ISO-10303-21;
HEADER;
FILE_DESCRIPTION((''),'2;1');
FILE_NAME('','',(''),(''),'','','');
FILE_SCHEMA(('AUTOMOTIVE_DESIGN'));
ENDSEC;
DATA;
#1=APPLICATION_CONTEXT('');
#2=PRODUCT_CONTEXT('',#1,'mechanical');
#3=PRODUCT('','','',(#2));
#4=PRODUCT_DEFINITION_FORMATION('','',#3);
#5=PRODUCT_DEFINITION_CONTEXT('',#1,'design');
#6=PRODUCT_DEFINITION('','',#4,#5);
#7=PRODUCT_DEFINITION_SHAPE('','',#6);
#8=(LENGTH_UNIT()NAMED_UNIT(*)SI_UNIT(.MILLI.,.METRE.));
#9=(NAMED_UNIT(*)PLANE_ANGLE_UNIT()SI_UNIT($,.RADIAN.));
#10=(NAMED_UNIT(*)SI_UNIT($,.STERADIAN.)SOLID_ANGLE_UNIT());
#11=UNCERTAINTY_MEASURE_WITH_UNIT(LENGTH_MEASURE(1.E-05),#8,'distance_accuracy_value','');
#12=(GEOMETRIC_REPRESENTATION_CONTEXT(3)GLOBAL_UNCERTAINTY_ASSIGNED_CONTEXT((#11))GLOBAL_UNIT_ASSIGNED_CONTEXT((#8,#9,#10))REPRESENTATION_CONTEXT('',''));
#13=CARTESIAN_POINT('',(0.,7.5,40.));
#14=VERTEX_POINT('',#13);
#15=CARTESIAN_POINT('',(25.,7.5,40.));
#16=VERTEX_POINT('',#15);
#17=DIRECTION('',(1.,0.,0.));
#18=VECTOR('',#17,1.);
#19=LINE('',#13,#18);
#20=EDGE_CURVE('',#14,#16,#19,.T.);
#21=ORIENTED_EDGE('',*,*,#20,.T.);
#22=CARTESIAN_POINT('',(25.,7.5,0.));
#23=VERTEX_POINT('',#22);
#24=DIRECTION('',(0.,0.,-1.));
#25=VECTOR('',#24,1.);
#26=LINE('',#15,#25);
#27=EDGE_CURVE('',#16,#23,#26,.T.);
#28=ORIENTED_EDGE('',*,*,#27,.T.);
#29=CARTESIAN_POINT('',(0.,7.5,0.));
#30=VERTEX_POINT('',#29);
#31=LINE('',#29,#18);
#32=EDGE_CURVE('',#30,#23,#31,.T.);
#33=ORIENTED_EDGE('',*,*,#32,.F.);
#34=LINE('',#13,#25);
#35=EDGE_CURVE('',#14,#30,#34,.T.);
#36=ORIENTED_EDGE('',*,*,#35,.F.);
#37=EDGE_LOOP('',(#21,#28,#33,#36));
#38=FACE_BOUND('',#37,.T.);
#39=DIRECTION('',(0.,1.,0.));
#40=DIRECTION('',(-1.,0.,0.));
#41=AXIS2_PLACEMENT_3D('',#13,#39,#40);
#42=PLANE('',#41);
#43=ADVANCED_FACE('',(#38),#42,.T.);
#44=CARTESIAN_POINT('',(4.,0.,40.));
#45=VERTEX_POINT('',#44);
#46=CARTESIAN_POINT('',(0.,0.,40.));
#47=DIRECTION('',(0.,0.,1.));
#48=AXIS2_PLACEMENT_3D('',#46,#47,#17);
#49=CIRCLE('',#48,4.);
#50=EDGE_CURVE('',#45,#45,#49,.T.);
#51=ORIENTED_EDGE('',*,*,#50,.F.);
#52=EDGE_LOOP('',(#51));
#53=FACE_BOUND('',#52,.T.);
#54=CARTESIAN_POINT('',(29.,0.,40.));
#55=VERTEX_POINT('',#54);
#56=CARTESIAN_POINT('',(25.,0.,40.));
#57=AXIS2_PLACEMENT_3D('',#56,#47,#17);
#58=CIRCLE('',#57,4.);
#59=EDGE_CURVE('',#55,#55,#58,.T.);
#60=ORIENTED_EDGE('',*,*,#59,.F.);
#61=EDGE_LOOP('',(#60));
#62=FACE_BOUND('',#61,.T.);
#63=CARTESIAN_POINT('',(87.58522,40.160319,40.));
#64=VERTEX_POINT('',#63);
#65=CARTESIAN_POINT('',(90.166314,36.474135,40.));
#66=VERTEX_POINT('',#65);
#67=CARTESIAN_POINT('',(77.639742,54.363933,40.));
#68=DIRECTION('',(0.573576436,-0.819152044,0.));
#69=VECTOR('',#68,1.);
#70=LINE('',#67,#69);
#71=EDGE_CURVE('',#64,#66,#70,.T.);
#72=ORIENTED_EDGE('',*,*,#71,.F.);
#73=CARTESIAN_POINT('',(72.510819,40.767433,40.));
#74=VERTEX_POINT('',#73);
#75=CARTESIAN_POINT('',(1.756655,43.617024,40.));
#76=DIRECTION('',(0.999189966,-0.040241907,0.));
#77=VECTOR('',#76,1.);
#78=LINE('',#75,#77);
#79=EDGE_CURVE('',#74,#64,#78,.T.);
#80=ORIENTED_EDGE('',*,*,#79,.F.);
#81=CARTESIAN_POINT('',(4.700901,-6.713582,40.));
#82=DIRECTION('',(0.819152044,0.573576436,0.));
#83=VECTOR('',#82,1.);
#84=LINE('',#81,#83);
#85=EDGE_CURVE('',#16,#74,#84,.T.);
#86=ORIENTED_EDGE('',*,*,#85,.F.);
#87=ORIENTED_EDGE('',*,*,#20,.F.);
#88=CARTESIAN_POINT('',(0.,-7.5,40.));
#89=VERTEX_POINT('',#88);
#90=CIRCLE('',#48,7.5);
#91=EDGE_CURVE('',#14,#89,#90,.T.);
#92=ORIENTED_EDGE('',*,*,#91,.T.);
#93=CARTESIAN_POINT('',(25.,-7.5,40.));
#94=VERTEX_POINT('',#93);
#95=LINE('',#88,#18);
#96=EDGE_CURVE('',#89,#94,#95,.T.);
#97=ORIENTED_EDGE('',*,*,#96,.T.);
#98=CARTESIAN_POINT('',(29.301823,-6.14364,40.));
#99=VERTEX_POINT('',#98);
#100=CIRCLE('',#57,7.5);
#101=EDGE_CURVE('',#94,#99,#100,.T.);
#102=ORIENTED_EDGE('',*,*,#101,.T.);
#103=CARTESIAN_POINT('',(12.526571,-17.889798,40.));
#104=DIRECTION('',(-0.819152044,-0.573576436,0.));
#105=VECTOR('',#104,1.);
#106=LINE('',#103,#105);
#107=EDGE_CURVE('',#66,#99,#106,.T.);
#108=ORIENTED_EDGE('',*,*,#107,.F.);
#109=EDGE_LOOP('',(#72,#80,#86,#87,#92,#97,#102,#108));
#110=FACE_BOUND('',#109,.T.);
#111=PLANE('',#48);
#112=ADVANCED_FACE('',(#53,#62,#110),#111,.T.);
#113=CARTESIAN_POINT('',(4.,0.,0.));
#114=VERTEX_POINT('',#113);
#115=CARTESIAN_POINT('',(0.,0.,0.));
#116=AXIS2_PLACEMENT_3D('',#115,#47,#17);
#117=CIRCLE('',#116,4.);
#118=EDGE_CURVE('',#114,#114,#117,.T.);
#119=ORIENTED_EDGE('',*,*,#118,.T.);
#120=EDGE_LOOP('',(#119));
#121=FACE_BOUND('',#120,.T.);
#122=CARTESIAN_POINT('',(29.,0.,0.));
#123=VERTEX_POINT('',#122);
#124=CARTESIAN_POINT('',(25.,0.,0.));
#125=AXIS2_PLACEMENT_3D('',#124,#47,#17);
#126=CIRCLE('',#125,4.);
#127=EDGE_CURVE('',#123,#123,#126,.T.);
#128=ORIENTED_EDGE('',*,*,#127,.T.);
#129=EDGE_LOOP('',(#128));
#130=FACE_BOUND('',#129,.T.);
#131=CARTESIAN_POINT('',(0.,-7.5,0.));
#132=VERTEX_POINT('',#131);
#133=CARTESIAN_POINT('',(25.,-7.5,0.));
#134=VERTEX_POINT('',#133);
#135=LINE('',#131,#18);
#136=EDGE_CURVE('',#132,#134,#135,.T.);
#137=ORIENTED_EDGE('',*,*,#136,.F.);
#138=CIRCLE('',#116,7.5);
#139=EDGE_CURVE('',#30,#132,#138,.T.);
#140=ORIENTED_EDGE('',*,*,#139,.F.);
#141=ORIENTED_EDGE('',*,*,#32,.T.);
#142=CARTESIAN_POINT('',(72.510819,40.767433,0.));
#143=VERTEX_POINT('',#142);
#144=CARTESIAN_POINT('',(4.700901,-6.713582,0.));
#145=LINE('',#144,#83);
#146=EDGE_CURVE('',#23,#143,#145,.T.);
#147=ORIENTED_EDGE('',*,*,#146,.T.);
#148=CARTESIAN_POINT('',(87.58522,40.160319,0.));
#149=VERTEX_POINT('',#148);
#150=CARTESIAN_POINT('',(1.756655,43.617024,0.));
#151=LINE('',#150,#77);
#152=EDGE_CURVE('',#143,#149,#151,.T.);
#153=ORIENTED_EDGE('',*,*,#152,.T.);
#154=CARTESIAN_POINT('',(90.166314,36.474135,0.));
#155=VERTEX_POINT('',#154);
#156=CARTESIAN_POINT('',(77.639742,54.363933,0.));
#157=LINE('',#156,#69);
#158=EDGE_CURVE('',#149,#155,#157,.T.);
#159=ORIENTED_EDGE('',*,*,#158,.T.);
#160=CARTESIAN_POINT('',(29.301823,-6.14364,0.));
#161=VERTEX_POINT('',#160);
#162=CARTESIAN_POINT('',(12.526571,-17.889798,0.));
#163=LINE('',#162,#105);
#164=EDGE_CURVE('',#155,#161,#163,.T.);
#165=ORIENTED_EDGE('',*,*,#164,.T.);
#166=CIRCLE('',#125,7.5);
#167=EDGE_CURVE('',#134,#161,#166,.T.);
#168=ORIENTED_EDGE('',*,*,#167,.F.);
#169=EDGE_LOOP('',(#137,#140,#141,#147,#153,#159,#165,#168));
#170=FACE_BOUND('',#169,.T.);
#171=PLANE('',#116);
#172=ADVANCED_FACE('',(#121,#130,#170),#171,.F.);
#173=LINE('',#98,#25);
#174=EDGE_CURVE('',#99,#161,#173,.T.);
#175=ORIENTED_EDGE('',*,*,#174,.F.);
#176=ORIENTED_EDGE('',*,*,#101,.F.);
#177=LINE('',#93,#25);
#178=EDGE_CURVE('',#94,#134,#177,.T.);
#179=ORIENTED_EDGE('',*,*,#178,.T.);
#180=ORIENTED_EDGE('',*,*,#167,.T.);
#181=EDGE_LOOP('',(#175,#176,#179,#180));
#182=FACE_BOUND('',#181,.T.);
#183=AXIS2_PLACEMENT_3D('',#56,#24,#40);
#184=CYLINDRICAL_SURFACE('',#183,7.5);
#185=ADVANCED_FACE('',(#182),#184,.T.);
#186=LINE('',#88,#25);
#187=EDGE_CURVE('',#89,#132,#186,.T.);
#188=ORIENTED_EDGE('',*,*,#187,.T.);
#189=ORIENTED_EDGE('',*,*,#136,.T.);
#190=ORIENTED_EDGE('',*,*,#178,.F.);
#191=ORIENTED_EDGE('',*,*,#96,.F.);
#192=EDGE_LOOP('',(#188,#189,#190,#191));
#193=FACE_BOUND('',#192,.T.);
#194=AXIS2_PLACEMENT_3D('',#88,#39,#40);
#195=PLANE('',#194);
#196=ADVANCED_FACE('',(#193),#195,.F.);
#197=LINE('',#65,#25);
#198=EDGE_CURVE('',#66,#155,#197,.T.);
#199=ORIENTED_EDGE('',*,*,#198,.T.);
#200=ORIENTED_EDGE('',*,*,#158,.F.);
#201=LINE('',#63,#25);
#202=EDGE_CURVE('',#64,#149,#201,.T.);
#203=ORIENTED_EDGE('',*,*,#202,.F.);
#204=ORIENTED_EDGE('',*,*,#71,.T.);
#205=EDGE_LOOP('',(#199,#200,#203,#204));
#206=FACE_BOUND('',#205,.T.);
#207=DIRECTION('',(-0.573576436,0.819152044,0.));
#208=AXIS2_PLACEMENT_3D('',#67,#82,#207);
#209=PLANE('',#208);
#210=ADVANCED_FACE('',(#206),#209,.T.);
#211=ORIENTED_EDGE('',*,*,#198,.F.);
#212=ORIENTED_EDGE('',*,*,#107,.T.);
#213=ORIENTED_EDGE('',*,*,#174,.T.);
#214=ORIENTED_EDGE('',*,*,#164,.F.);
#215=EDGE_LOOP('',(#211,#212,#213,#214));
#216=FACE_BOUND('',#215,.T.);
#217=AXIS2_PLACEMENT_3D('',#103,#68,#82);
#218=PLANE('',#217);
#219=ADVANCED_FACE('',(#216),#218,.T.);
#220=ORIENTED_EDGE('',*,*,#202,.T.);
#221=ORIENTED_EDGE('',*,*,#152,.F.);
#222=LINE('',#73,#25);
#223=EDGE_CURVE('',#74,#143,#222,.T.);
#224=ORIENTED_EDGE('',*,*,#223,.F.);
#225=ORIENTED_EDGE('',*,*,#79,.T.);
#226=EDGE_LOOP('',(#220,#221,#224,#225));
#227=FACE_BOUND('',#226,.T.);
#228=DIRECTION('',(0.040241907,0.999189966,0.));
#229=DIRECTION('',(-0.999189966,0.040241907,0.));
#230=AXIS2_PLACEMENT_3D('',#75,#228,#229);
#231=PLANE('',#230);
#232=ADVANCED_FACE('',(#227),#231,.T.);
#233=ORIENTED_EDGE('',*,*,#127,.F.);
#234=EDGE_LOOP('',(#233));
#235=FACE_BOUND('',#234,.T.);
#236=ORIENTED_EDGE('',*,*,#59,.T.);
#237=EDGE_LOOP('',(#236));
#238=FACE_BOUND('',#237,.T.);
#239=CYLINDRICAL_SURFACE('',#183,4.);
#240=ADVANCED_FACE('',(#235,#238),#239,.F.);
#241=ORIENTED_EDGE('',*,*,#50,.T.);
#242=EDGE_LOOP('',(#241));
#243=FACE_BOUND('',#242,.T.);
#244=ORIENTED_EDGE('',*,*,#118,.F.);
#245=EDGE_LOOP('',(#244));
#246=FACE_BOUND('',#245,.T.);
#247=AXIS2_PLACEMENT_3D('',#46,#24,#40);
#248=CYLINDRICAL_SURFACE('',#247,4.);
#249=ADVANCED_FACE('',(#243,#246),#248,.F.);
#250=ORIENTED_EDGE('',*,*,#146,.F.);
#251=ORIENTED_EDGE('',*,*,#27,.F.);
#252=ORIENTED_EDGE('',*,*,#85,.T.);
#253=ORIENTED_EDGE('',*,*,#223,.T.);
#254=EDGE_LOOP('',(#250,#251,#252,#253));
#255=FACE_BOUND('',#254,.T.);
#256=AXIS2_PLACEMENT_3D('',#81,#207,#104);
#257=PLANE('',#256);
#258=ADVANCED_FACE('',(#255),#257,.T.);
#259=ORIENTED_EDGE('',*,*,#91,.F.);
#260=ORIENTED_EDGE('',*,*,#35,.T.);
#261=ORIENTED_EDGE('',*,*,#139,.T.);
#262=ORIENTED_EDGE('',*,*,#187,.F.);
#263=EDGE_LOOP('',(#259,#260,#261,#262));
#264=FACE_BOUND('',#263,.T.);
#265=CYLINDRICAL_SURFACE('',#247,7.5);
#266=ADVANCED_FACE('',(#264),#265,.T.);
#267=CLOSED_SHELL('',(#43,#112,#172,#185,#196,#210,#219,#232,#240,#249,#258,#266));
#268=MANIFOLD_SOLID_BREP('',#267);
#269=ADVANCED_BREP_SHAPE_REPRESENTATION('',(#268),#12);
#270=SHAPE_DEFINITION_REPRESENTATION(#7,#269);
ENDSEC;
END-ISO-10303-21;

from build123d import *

# Parameters (mm, degrees)
SKETCH2_R           = 4
BOSS_EXTRUDE1_DEPTH = 40


with BuildPart() as part:
    # Sketch2 → Boss-Extrude1 (new body)
    with BuildSketch(Plane.XY):
        with BuildLine():
            Line((25, 7.5), (0, 7.5))
            ThreePointArc((0, 7.5), (-7.5, 0), (0, -7.5))
            Line((0, -7.5), (25, -7.5))
            ThreePointArc((25, -7.5), (27.255293496, -7.152877131), (29.301823273, -6.143640332))
            Line((29.301823273, -6.143640332), (90.166313701, 36.474134675))
            Line((90.166313701, 36.474134675), (87.585219737, 40.160318874))
            Line((87.585219737, 40.160318874), (72.510818569, 40.767433308))
            Line((72.510818569, 40.767433308), (25, 7.5))
        make_face()
        Circle(SKETCH2_R, mode=Mode.SUBTRACT)
        with Locations((25, 0)):
            Circle(SKETCH2_R, mode=Mode.SUBTRACT)
    extrude(amount=BOSS_EXTRUDE1_DEPTH)


solid = part.part
